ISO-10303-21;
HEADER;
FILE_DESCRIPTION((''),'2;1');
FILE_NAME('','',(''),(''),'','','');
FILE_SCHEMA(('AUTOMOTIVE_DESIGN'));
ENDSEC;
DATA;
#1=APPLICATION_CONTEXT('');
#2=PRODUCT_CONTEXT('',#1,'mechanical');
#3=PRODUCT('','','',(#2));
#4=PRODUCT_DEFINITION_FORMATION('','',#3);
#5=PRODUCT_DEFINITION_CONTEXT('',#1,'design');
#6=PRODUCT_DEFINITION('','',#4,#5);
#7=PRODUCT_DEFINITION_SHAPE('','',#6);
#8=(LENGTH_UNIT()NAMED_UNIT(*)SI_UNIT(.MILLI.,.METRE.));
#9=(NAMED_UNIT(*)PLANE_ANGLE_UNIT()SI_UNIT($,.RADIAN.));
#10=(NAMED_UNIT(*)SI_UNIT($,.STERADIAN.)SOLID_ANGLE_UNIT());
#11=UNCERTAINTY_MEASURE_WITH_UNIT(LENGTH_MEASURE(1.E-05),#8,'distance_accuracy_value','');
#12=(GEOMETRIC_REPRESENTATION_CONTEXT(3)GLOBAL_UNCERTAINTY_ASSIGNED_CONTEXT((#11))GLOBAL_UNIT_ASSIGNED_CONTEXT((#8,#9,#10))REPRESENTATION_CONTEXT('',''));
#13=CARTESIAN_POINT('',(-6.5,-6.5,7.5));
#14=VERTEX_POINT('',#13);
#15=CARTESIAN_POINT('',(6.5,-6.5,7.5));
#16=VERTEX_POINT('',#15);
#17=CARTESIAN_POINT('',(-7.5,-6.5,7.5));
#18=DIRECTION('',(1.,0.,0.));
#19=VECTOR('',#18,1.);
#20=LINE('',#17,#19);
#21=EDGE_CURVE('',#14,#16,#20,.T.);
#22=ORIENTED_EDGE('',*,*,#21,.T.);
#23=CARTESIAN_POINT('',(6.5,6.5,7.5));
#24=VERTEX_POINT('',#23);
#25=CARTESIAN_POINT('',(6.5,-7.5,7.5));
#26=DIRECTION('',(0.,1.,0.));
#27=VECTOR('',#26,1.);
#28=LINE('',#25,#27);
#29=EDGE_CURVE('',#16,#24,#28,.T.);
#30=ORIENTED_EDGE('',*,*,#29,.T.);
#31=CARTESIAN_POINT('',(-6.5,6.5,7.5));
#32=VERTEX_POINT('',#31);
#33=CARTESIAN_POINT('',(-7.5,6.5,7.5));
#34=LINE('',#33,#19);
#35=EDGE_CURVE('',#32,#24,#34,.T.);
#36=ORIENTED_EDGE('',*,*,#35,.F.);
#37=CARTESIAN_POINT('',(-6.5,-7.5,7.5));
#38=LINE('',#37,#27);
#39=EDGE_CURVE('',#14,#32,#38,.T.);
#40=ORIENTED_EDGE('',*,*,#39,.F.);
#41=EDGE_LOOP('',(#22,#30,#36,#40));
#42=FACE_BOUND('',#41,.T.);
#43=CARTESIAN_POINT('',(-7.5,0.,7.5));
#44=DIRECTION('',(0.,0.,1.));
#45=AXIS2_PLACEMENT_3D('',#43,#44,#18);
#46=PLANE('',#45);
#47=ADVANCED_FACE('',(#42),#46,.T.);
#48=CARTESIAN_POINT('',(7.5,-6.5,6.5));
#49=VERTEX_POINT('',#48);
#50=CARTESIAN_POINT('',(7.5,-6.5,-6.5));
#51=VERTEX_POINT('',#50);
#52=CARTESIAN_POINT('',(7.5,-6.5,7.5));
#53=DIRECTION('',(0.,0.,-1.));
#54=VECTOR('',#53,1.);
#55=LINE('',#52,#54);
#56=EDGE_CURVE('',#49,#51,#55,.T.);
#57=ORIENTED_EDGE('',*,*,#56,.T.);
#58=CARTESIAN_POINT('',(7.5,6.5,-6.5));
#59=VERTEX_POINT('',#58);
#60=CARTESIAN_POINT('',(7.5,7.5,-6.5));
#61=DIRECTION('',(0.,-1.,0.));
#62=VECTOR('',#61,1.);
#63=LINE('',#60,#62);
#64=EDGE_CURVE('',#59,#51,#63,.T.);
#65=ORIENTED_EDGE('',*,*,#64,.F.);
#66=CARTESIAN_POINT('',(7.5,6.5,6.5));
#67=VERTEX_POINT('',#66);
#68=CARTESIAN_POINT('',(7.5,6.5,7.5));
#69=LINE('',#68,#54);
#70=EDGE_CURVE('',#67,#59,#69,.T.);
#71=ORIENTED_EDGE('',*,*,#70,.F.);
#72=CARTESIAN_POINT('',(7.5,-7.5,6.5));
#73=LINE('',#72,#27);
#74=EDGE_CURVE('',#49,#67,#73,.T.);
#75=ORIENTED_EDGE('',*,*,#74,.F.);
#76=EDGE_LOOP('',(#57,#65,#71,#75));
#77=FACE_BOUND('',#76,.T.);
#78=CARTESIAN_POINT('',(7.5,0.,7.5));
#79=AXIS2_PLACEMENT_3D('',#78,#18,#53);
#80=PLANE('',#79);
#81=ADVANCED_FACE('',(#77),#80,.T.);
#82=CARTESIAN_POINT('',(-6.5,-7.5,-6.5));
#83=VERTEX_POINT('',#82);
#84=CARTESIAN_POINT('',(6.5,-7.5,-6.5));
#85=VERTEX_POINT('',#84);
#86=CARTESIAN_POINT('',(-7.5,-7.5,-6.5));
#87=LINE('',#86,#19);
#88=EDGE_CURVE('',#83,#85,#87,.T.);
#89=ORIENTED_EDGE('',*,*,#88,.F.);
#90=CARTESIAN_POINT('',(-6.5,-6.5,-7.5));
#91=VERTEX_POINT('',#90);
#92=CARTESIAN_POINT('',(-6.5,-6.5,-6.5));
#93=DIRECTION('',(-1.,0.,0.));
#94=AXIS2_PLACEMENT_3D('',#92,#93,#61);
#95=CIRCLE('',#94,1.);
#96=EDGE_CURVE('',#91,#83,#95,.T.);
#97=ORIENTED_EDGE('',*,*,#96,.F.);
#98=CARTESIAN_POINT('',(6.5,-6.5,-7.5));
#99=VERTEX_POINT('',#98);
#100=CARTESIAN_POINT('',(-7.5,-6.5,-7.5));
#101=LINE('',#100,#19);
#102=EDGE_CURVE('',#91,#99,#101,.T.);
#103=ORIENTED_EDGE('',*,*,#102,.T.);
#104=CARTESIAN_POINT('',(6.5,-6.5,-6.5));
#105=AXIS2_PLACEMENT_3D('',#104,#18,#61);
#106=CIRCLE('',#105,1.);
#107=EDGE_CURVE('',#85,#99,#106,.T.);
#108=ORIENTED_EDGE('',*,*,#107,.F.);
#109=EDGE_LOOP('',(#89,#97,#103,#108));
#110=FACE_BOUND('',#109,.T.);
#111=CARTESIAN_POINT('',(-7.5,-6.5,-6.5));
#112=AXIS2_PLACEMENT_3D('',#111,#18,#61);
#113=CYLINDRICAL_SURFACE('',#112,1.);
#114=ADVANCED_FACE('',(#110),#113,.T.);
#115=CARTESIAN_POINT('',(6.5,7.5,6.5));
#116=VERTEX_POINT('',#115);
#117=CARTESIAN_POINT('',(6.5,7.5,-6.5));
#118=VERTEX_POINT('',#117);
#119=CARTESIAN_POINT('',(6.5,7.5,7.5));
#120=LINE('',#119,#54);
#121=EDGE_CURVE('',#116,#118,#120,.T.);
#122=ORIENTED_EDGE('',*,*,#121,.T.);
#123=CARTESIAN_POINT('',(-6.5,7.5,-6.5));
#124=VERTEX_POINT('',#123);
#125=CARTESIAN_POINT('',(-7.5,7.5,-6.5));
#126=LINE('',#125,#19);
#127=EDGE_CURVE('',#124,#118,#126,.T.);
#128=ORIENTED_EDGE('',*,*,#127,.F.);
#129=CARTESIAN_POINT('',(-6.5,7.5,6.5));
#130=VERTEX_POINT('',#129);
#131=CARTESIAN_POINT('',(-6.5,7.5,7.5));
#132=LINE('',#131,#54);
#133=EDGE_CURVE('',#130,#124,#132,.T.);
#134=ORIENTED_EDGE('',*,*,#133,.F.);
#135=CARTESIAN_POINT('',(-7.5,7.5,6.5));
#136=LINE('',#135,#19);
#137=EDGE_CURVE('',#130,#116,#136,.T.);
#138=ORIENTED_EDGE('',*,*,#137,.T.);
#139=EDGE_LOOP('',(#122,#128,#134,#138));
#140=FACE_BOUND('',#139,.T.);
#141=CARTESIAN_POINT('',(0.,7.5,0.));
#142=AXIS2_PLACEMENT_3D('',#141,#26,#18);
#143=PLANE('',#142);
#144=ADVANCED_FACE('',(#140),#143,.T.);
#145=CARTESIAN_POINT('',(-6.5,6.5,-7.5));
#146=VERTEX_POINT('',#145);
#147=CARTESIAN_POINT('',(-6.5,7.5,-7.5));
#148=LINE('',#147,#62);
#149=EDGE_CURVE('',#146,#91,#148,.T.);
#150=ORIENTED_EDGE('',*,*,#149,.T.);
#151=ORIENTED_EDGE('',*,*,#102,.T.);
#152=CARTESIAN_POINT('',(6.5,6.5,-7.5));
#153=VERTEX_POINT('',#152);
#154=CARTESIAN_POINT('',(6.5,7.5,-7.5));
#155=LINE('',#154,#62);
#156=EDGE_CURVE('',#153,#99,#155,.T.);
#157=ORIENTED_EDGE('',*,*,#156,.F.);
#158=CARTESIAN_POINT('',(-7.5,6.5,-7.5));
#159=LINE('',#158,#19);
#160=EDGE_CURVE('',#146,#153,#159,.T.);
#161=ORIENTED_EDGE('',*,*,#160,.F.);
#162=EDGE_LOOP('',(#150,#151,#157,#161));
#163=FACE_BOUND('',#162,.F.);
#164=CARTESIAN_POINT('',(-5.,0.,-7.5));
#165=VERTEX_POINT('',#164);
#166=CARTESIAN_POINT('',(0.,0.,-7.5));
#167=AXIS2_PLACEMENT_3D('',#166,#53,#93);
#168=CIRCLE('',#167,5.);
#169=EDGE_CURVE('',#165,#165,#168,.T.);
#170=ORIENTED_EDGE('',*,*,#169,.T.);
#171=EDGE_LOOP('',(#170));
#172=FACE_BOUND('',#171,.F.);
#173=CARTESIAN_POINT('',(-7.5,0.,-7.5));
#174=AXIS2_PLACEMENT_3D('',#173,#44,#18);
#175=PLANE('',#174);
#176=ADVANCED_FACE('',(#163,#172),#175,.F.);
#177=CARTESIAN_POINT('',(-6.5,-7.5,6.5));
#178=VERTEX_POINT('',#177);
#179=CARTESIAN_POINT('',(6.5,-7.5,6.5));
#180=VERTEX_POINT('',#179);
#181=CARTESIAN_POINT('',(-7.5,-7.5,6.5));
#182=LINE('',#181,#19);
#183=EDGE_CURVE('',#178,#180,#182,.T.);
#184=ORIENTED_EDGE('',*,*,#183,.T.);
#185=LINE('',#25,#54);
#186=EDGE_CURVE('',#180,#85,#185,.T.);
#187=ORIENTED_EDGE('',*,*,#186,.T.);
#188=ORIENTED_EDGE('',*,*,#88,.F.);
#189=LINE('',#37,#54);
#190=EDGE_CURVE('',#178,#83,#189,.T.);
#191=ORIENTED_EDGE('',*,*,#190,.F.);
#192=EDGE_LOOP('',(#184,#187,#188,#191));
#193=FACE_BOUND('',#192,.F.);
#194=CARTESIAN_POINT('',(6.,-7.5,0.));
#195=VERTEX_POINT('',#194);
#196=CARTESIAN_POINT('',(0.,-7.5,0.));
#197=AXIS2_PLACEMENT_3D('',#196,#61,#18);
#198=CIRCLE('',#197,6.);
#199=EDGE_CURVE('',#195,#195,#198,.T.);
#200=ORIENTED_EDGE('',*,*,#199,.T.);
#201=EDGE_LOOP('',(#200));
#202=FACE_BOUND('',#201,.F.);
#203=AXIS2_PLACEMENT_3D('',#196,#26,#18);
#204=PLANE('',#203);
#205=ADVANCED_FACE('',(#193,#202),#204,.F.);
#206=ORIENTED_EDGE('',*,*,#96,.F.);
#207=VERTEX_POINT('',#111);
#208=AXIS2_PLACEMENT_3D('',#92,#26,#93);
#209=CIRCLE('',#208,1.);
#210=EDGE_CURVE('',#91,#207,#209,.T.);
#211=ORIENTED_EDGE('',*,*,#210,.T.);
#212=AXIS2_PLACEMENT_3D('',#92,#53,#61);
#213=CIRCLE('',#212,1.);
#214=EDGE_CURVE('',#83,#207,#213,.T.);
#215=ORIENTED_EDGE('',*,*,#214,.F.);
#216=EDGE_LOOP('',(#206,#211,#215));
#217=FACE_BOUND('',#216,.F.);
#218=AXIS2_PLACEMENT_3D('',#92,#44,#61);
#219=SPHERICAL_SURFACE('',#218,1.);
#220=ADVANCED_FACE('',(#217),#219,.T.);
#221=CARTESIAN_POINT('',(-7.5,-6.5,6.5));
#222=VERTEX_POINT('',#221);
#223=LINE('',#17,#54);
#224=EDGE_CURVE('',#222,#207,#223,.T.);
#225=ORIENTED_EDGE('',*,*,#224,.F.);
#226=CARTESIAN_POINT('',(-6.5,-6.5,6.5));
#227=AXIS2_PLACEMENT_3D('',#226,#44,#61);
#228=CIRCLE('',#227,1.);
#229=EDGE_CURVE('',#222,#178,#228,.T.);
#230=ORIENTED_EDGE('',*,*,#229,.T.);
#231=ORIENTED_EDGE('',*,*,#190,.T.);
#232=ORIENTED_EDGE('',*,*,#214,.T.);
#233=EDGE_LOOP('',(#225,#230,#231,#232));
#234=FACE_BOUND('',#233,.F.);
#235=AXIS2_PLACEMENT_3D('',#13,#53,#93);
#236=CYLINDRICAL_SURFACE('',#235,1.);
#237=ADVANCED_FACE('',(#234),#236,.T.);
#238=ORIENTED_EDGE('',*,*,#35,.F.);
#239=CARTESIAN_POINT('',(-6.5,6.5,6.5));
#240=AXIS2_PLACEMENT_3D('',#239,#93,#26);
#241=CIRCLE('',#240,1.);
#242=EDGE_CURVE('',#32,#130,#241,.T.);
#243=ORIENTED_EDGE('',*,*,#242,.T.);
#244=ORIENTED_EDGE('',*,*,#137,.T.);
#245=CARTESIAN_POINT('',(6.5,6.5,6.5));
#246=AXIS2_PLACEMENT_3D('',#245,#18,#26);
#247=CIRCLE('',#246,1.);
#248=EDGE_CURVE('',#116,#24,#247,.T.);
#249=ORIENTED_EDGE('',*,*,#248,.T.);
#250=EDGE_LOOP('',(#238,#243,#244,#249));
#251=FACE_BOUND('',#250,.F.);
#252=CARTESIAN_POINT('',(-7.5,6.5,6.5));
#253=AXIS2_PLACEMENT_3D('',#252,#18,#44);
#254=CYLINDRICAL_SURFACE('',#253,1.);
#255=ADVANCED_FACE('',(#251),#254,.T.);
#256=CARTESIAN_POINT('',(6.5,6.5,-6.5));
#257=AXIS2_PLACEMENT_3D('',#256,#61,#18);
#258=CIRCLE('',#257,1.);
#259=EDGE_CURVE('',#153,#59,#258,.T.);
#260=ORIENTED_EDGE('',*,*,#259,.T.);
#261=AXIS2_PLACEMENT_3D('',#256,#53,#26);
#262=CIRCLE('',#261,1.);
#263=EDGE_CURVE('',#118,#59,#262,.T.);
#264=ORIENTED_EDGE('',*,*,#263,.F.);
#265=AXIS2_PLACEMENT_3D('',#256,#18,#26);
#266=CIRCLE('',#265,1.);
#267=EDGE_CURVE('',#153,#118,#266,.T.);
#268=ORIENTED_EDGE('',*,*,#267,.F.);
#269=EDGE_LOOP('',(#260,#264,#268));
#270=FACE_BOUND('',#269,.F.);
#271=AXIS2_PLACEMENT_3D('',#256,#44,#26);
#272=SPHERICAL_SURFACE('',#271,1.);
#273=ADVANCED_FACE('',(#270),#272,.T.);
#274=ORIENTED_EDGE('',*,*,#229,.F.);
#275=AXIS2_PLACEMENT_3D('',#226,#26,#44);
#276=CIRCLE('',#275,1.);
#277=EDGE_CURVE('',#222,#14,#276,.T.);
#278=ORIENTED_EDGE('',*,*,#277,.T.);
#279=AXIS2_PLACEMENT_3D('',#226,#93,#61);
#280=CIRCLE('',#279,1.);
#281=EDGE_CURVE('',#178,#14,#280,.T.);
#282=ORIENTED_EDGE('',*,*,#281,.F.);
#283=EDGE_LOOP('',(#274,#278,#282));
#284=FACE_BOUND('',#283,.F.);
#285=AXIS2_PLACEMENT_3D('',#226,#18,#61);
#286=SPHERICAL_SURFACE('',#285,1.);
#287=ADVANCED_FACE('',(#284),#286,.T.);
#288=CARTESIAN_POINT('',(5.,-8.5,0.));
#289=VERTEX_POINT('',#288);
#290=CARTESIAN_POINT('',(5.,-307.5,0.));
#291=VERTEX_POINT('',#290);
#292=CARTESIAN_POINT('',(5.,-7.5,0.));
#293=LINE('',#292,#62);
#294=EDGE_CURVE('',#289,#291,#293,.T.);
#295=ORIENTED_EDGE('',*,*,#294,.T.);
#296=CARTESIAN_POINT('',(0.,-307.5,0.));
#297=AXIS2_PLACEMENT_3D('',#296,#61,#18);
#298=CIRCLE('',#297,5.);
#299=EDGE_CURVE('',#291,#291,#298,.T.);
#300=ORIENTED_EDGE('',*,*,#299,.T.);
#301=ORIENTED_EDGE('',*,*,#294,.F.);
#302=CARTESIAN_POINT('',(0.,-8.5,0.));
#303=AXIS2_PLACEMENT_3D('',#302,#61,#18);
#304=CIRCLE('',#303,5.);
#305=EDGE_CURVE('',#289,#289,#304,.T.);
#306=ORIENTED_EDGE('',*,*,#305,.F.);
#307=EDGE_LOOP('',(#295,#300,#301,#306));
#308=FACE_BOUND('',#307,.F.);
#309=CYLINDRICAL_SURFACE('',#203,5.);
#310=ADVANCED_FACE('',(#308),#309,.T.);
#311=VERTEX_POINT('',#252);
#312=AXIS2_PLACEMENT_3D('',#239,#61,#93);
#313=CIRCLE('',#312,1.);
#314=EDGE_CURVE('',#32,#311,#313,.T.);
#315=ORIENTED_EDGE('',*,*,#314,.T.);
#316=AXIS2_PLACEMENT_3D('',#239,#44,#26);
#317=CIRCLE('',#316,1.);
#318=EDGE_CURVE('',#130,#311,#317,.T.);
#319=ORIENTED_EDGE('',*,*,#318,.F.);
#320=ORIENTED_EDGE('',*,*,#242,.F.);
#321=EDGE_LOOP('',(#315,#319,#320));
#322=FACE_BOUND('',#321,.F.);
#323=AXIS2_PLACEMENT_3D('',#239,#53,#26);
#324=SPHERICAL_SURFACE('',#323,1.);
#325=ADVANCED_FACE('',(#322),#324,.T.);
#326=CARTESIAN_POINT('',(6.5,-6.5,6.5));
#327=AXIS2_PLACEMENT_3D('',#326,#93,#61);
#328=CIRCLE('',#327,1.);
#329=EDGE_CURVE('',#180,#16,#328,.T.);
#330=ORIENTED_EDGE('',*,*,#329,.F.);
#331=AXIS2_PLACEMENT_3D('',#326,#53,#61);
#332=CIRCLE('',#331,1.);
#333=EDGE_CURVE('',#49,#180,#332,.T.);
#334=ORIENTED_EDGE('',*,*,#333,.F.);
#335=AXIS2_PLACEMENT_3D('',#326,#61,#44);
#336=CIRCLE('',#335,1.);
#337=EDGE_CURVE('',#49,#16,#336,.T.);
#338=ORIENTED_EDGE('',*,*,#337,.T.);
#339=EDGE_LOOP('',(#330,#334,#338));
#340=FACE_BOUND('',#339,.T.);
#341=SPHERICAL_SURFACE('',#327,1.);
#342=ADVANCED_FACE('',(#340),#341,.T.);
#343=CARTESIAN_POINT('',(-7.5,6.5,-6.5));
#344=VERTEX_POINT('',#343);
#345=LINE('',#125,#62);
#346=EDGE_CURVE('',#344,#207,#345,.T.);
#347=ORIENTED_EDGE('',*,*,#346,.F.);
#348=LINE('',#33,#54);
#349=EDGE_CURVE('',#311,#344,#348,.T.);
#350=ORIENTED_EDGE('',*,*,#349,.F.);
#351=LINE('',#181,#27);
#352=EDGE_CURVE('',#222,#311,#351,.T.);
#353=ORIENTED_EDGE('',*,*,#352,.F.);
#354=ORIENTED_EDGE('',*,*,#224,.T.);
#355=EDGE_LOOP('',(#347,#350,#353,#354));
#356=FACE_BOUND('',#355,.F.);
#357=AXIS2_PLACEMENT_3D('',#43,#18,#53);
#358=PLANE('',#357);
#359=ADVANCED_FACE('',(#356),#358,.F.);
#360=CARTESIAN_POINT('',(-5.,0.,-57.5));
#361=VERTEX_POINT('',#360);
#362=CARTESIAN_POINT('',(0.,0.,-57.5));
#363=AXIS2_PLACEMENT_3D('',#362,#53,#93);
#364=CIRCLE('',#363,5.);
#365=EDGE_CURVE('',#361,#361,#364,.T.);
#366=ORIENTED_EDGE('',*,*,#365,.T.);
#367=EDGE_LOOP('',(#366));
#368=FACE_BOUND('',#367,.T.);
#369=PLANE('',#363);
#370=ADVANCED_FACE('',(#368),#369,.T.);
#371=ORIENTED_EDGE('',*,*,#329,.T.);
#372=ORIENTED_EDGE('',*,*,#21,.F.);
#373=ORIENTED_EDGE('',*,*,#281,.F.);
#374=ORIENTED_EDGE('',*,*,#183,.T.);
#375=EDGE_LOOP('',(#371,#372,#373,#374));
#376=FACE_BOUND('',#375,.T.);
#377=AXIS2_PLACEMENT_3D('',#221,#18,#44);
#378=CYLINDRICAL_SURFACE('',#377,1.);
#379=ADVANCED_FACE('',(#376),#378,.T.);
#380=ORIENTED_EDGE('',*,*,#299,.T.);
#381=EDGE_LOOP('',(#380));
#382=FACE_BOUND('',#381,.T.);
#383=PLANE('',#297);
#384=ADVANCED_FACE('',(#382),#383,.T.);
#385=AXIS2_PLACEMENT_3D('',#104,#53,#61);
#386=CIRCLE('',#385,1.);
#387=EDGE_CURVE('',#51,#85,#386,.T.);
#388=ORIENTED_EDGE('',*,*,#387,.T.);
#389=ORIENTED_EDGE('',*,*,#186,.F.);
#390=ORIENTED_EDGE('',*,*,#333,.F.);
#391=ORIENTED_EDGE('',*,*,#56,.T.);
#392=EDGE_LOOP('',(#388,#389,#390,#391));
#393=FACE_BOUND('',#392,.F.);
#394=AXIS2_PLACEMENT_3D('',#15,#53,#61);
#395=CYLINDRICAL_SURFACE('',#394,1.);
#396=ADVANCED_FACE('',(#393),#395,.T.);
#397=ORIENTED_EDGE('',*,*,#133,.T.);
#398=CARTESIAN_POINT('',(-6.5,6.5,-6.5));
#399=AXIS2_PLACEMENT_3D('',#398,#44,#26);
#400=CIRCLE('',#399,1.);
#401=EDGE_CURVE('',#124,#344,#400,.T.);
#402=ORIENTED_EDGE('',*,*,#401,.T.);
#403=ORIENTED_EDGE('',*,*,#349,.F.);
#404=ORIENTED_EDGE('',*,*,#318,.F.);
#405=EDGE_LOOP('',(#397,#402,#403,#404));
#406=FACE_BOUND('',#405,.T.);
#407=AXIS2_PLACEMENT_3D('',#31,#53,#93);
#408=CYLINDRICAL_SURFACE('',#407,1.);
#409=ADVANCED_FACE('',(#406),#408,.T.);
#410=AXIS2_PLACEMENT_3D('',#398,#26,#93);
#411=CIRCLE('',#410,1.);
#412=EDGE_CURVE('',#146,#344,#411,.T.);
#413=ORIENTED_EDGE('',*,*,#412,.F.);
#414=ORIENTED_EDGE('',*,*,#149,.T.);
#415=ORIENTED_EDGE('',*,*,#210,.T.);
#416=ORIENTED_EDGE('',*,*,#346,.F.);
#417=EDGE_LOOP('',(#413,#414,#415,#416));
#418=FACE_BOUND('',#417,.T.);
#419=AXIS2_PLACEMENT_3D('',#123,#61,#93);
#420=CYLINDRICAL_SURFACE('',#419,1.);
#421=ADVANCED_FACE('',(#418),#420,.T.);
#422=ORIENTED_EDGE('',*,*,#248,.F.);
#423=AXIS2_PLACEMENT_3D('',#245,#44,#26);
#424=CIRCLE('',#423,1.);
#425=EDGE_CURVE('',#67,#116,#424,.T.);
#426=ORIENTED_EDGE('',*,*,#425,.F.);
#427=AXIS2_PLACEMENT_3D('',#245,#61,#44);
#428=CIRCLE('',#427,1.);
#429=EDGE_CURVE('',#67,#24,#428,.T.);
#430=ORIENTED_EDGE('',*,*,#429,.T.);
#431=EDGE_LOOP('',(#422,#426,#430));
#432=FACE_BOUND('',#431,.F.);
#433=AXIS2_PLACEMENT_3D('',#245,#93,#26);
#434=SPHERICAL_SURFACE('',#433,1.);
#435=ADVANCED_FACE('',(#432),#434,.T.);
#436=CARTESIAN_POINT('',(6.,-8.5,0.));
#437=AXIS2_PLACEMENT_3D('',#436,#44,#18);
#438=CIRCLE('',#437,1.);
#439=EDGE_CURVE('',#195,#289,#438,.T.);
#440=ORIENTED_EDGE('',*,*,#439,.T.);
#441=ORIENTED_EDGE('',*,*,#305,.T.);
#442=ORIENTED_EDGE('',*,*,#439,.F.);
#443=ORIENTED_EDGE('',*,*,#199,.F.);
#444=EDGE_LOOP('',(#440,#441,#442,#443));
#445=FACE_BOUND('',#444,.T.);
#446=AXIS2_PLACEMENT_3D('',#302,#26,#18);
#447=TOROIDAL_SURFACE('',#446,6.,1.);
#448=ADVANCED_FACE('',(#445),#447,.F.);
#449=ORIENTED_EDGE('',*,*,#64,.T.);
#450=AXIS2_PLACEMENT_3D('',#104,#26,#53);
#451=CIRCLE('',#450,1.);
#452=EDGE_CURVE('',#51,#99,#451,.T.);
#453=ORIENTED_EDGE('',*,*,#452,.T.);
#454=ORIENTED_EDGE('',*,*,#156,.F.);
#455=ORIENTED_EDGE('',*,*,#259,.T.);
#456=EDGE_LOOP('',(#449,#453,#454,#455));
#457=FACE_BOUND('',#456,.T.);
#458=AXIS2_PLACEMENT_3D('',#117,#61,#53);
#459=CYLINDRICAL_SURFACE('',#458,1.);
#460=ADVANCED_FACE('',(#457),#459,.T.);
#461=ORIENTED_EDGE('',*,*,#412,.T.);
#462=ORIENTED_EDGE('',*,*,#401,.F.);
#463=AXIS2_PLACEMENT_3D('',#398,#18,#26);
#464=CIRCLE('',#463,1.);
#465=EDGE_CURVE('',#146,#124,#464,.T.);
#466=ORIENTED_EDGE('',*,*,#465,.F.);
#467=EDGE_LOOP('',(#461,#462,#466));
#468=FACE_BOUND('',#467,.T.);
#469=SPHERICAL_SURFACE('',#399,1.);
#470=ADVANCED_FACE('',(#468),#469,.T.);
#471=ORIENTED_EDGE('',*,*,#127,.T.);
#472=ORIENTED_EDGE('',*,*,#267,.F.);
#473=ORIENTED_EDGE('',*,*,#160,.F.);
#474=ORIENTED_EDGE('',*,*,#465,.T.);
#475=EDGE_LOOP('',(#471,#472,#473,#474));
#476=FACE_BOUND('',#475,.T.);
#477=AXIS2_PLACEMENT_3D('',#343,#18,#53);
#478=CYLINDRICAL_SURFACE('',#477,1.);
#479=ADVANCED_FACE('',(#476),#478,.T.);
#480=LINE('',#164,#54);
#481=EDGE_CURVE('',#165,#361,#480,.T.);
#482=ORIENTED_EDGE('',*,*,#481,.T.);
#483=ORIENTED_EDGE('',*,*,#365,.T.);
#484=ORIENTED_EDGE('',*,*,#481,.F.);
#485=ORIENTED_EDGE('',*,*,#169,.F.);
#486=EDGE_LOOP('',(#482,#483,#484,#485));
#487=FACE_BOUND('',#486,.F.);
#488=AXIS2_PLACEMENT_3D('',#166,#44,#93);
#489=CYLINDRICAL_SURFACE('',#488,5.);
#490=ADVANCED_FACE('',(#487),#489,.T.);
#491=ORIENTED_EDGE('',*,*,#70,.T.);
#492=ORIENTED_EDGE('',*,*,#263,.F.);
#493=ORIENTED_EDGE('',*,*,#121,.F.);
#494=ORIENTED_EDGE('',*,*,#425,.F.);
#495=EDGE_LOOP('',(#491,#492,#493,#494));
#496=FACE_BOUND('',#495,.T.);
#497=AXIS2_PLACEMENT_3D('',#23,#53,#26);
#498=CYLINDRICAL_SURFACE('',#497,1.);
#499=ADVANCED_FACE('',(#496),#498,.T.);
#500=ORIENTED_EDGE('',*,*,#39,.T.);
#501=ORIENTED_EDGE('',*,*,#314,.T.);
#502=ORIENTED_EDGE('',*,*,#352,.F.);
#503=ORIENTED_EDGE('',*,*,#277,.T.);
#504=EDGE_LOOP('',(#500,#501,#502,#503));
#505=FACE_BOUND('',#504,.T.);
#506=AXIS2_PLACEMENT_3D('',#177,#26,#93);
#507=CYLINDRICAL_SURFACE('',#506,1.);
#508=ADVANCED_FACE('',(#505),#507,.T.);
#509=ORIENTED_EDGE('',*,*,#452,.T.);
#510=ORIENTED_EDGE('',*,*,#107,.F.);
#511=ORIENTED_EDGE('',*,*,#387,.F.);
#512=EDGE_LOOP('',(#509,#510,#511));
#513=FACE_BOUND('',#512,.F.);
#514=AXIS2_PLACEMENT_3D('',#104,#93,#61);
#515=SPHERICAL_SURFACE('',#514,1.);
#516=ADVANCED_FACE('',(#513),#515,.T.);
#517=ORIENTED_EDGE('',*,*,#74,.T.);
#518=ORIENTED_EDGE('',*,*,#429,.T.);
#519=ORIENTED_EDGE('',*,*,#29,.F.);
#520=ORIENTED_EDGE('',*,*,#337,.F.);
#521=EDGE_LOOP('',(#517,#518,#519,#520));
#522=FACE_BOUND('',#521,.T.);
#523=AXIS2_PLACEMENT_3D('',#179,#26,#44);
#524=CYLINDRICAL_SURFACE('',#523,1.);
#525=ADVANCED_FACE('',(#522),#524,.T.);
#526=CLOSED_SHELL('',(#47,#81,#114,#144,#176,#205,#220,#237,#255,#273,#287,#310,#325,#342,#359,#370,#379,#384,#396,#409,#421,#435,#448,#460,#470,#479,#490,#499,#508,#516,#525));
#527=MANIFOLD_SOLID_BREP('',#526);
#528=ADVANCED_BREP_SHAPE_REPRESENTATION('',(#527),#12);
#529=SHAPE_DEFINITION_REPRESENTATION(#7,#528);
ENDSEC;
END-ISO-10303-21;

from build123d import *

# Parameters (mm, degrees)
SKETCH1_W           = 15
SKETCH1_H           = 15
BOSS_EXTRUDE1_DEPTH = 7.5
SKETCH2_R           = 5
BOSS_EXTRUDE2_DEPTH = 50
SKETCH3_R           = 5
BOSS_EXTRUDE3_DEPTH = 300
FILLET1_R           = 1


with BuildPart() as part:
    # Sketch1 → Boss-Extrude1 (new body, symmetric)
    with BuildSketch(Plane(origin=(0, 0, 0), x_dir=(1, 0, 0), z_dir=(0, 1, 0))):
        Rectangle(SKETCH1_W, SKETCH1_H)
    extrude(amount=BOSS_EXTRUDE1_DEPTH, both=True)

    # Sketch2 → Boss-Extrude2 (add)
    with BuildSketch(Plane(origin=(0, 0, -7.5), x_dir=(-1, 0, 0), z_dir=(0, 0, -1))):
        Circle(SKETCH2_R)
    extrude(amount=BOSS_EXTRUDE2_DEPTH)

    # Sketch3 → Boss-Extrude3 (add)
    with BuildSketch(Plane.XZ.offset(7.5)):
        Circle(SKETCH3_R)
    extrude(amount=BOSS_EXTRUDE3_DEPTH)

    # Fillet1
    fillet1_edges = [part.edges().sort_by_distance(p)[0] for p in [
        (-7.5, 7.5, 0),
        (0, 7.5, 7.5),
        (-5, -7.5, 0),
        (7.5, 7.5, 0),
        (0, -7.5, 7.5),
        (-7.5, -7.5, 0),
        (0, -7.5, -7.5),
        (7.5, -7.5, 0),
        (0, 7.5, -7.5),
        (7.5, 0, 7.5),
        (-7.5, 0, 7.5),
        (-7.5, 0, -7.5),
        (7.5, 0, -7.5),
    ]]
    fillet(fillet1_edges, radius=FILLET1_R)


solid = part.part
